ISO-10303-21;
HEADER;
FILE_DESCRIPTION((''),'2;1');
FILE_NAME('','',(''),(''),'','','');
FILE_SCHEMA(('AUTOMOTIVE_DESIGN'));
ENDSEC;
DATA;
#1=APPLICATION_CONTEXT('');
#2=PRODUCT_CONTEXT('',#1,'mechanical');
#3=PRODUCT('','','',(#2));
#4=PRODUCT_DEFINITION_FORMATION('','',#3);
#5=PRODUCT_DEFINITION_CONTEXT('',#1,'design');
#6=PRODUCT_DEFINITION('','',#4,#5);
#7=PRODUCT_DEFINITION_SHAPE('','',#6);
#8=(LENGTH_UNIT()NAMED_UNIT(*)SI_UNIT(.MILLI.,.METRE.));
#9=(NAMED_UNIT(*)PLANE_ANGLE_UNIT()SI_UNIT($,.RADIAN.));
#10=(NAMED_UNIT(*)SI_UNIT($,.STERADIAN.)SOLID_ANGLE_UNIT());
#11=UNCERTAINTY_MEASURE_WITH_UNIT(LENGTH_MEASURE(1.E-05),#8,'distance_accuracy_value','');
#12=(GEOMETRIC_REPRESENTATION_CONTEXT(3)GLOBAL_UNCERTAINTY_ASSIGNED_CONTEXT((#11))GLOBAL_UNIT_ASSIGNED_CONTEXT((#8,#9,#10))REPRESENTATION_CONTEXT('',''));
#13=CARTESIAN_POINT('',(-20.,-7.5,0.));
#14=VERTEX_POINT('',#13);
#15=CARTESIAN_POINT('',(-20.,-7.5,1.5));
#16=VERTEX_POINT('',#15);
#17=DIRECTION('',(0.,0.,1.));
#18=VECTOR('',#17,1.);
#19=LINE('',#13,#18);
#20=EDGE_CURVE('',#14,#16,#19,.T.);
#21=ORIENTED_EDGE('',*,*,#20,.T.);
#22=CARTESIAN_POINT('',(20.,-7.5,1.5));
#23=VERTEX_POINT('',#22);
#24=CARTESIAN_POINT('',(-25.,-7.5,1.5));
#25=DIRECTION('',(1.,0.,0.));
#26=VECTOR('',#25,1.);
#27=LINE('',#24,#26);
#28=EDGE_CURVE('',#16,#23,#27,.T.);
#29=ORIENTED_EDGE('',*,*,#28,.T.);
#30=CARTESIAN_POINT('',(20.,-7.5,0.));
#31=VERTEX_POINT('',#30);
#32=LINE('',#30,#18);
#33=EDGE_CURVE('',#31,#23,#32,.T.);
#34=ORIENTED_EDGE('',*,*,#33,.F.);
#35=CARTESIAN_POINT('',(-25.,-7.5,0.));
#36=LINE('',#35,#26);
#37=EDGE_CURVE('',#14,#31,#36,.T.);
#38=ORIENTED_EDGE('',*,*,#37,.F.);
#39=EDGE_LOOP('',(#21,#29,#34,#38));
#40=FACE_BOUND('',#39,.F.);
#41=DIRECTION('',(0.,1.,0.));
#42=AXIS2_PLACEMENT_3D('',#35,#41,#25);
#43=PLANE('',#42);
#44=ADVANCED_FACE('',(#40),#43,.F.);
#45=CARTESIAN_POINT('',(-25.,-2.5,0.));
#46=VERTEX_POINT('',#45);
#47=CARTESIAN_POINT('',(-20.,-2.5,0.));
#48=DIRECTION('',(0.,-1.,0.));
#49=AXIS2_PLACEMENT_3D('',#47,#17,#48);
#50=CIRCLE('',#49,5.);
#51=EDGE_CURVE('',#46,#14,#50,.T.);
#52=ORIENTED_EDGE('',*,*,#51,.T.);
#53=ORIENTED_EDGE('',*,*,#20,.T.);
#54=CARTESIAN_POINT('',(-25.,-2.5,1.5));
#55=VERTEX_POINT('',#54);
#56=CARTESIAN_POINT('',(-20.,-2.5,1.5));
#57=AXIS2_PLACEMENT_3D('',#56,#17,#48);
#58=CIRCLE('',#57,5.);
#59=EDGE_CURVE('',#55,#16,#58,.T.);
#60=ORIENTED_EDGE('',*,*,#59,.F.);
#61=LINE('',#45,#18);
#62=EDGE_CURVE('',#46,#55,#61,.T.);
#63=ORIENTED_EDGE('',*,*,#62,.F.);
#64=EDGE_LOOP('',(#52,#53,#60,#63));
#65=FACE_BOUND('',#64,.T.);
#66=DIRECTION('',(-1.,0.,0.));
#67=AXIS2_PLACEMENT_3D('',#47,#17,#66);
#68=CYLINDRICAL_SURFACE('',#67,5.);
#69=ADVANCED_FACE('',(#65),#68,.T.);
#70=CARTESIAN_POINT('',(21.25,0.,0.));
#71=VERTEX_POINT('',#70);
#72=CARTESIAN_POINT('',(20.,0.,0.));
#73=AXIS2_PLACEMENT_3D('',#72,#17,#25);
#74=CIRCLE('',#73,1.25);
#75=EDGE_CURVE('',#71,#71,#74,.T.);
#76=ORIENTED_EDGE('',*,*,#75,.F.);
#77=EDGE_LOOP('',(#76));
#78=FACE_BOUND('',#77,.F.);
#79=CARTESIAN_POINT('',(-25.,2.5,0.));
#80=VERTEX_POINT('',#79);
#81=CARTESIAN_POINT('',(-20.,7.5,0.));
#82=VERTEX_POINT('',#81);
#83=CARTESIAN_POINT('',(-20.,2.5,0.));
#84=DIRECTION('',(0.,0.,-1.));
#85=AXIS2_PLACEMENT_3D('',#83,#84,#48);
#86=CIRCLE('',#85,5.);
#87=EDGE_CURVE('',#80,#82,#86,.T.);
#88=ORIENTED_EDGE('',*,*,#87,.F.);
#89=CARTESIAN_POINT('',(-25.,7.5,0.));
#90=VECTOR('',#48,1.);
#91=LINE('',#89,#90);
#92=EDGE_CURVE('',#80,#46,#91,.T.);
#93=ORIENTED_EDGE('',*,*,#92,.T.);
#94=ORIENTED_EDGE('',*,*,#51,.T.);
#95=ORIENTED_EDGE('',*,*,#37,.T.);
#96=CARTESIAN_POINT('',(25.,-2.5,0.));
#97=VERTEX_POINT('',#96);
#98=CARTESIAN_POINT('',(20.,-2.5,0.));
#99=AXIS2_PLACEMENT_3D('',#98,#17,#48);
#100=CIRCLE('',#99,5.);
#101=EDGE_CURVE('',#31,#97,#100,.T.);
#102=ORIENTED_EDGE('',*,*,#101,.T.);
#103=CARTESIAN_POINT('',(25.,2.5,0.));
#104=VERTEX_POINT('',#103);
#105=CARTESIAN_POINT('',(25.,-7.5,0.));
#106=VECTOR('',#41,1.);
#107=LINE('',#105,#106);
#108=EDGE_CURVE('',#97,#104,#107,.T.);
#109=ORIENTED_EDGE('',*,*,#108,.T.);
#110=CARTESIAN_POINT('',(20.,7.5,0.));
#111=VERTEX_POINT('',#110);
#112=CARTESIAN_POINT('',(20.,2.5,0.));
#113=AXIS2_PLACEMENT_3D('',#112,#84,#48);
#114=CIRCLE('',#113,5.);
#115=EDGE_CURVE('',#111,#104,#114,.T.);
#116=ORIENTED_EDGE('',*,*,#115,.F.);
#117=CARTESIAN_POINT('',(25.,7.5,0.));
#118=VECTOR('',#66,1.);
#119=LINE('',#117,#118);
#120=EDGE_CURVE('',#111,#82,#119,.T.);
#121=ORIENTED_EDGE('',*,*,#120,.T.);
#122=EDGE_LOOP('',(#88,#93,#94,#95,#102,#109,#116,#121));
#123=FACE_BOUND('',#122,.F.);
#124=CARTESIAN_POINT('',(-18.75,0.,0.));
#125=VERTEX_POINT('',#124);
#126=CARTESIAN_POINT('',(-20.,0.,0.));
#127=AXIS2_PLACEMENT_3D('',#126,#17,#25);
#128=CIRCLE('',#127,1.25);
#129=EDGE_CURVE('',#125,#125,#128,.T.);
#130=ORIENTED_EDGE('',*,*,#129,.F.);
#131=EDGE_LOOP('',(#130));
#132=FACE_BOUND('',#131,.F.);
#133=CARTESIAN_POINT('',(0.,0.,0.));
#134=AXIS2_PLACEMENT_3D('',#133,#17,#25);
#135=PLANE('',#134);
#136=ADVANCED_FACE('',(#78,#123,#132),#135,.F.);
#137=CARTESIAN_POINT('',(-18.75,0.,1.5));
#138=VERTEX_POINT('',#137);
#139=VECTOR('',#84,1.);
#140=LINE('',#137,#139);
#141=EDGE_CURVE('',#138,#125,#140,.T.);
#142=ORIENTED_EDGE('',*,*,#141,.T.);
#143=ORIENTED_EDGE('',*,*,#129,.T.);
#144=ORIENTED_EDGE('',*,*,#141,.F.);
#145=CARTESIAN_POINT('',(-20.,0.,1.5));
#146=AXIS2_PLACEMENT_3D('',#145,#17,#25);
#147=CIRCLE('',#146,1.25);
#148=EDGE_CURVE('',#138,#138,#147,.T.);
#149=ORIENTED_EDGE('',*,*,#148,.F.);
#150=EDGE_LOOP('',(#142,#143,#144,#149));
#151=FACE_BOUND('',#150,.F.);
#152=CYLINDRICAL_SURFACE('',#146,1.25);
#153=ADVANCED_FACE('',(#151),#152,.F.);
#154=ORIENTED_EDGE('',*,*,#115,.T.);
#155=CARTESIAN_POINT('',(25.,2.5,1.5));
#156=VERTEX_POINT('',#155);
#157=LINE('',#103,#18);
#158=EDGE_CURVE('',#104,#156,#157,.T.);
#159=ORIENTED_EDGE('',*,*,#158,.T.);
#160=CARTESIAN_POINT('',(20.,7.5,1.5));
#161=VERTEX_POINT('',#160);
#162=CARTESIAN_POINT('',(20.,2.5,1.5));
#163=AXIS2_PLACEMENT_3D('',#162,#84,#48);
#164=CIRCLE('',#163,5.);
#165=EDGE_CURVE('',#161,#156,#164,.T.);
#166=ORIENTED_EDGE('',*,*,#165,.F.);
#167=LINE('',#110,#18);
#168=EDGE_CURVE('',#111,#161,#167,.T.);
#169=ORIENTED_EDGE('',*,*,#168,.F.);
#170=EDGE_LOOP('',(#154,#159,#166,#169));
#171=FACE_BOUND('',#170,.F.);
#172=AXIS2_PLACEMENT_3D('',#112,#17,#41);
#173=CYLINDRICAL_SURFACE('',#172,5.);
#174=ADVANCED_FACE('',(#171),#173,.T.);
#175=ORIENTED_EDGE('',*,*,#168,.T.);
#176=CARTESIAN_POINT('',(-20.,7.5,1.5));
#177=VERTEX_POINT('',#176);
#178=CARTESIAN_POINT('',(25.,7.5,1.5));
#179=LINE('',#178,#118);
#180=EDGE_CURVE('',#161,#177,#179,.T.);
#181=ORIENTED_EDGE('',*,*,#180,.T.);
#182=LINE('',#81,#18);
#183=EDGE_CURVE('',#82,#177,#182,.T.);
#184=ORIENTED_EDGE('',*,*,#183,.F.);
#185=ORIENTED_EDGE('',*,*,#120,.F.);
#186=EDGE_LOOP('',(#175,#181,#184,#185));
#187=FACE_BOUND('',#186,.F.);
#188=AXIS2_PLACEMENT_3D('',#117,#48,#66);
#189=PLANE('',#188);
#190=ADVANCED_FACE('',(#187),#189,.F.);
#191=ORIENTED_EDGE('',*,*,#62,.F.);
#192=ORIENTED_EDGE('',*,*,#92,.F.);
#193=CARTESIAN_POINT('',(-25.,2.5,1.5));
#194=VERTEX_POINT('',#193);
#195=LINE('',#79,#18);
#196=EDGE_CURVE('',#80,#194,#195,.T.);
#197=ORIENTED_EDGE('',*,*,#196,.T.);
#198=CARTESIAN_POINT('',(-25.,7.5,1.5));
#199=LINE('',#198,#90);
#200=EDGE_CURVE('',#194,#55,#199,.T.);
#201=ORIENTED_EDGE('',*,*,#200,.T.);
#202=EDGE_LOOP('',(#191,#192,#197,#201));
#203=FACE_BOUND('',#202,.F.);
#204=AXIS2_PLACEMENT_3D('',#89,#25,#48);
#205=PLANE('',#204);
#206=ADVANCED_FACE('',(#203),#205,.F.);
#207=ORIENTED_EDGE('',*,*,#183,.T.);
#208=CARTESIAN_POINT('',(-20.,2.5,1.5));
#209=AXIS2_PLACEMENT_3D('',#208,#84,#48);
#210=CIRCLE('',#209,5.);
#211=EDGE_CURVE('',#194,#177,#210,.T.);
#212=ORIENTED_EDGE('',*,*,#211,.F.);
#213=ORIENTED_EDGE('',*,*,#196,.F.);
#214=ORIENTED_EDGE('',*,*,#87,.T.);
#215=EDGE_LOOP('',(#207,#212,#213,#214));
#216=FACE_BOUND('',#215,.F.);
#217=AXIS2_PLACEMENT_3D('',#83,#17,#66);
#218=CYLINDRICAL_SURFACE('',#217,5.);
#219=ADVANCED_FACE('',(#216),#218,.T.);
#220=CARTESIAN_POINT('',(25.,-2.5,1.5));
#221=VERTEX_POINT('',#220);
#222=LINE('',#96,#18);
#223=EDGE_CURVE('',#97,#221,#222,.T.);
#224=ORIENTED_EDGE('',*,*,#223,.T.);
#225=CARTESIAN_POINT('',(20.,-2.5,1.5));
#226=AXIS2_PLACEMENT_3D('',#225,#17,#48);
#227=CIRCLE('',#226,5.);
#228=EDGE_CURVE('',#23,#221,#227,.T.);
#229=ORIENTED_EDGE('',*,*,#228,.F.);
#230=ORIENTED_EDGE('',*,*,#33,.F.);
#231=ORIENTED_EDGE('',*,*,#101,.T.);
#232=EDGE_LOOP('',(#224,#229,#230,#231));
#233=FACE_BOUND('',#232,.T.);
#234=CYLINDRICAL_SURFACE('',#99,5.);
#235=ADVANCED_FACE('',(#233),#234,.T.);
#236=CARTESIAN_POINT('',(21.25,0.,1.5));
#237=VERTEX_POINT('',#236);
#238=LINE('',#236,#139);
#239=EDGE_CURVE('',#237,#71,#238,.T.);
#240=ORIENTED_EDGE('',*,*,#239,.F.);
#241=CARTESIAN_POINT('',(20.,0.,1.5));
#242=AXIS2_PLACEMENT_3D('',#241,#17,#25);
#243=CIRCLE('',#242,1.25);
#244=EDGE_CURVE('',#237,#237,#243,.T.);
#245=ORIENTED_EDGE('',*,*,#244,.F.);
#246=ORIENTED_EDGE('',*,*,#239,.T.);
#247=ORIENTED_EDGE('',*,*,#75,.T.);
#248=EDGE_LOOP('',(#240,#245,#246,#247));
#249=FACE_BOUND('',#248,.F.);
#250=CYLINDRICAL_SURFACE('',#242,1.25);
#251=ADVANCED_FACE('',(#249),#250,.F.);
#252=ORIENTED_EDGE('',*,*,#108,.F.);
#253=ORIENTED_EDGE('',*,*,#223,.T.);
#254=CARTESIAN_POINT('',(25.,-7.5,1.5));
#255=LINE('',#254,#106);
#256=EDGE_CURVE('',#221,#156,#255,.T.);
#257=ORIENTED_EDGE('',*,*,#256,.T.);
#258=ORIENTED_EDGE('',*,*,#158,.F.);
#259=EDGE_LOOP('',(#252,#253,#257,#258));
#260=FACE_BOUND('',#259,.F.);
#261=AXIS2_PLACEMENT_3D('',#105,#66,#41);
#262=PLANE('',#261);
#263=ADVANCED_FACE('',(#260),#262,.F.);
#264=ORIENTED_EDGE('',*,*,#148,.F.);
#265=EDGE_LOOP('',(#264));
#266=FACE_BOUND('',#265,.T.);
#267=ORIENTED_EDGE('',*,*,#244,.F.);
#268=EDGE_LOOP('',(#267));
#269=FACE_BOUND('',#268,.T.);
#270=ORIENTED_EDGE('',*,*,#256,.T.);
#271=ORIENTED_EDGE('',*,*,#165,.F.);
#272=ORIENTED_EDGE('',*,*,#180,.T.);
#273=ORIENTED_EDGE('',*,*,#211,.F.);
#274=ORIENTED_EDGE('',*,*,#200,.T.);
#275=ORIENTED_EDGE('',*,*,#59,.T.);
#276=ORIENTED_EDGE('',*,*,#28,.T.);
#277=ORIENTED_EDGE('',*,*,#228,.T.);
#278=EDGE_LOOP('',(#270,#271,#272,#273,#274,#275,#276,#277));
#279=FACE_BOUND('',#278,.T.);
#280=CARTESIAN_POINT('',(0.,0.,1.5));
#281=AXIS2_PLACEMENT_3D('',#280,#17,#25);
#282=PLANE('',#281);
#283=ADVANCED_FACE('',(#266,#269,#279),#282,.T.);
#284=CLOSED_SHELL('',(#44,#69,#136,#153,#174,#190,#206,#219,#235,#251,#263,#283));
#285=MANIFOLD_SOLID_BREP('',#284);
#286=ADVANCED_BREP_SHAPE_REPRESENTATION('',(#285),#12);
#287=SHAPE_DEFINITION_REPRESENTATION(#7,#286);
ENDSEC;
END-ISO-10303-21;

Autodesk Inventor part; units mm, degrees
ref_plane "YZ Plane" through (0, 0, 0) normal (1, 0, 0) x (0, 1, 0)
ref_plane "XZ Plane" through (0, 0, 0) normal (0, 1, 0) x (-1, 0, 0)
ref_plane "XY Plane" through (0, 0, 0) normal (0, 0, 1) x (1, 0, 0)
sketch "Sketch1" plane through (0, 0, 0) normal (0, 0, 1) x (1, 0, 0)
  line L0 (-25, -7.5) -> (25, -7.5)
  line L1 (25, -7.5) -> (25, 7.5)
  line L2 (25, 7.5) -> (-25, 7.5)
  line L3 (-25, 7.5) -> (-25, -7.5)
  line L4 (-25, -7.5) -> (25, 7.5) construction
  line L5 (25, -7.5) -> (-25, 7.5) construction
  point P0 (0, 0)
  dimension "d0" = 50
  dimension "d1" = 15
extrude "Extrusion1" add sketch "Sketch1" along normal blind 1.5
sketch "Sketch2" plane through (0, 0, 1.5) normal (0, 0, 1) x (1, 0, 0)
  circle A0 centre (-20, 0) radius 1.25
  line L0 (0, -11.9497) -> (0, 11.9497) projected
  circle A1 centre (20, 0) radius 1.25
  line L1 (-25, 7.5) -> (-25, -7.5) projected
  point P0 (0, 0)
  dimension "d4" = 2.5
  dimension "d5" = 5
extrude "Extrusion2" cut sketch "Sketch2" against normal up to next
fillet "Fillet1" radius 5 4 edges at (25, 7.5, 0.75) (25, -7.5, 0.75) (-25, -7.5, 0.75) (-25, 7.5, 0.75)
sketch "Sketch3" plane through (0, 0, 1.5) normal (0, 0, 1) x (1, 0, 0)
  line L0 (-10.4543, 4.2971) -> (11.6893, 4.2971) construction
  line L1 (11.6893, 4.2971) -> (11.6893, -4.6339) construction
  line L2 (11.6893, -4.6339) -> (-10.4543, -4.6339) construction
  line L3 (-10.4543, -4.6339) -> (-10.4543, 4.2971) construction
sketch "Sketch4" plane through (0, 0, 0) normal (0, 0, -1) x (-1, 0, 0)
  line L0 (-10.4543, 4.2971) -> (11.6893, 4.2971) construction
  line L1 (11.6893, 4.2971) -> (11.6893, -4.6339) construction
  line L2 (11.6893, -4.6339) -> (-10.4543, -4.6339) construction
  line L3 (-10.4543, -4.6339) -> (-10.4543, 4.2971) construction
sketch "Sketch5" plane through (0, 0, 0) normal (0, 0, -1) x (-1, 0, 0)
  circle A0 centre (20, 0) radius 1.25 projected
  circle A1 centre (-20, 0) radius 1.25 projected
  arc A2 (25, 2.5) -> (20, 7.5) centre (20, 2.5) ccw projected
  line L0 (-20, 7.5) -> (20, 7.5) projected
  arc A3 (-20, 7.5) -> (-25, 2.5) centre (-20, 2.5) ccw projected
  line L1 (-25, -2.5) -> (-25, 2.5) projected
  arc A4 (-25, -2.5) -> (-20, -7.5) centre (-20, -2.5) ccw projected
  line L2 (20, -7.5) -> (-20, -7.5) projected
  arc A5 (20, -7.5) -> (25, -2.5) centre (20, -2.5) ccw projected
  line L3 (25, 2.5) -> (25, -2.5) projected
  point P0 (0, 0)
equation "\"d0\" = l_label"
equation "\"d1\" = w_label"
equation "\"d4\" = r_labelscrew"
equation "\"d5\" = ro_labelscrew"
equation "\"d8\" = ro_labelscrew"
equation "\"wl_panel\" = 285"
equation "\"t_panel\" = 8"
equation "\"r_button\" = 8"
equation "\"l_stereo\" = 178"
equation "\"d_stereo\" = 177"
equation "\"w_label\" = 15"
equation "\"l_label\" = 50"
equation "\"r_labelscrew\" = 2.5"
equation "\"ro_labelscrew\" = 5"
equation "\"l_buttontobutton\" = 25"
equation "\"r_usboutlet\" = 29"
equation "\"l_fastener_button\" = 19"
properties part number "label" material "Stainless Steel"
